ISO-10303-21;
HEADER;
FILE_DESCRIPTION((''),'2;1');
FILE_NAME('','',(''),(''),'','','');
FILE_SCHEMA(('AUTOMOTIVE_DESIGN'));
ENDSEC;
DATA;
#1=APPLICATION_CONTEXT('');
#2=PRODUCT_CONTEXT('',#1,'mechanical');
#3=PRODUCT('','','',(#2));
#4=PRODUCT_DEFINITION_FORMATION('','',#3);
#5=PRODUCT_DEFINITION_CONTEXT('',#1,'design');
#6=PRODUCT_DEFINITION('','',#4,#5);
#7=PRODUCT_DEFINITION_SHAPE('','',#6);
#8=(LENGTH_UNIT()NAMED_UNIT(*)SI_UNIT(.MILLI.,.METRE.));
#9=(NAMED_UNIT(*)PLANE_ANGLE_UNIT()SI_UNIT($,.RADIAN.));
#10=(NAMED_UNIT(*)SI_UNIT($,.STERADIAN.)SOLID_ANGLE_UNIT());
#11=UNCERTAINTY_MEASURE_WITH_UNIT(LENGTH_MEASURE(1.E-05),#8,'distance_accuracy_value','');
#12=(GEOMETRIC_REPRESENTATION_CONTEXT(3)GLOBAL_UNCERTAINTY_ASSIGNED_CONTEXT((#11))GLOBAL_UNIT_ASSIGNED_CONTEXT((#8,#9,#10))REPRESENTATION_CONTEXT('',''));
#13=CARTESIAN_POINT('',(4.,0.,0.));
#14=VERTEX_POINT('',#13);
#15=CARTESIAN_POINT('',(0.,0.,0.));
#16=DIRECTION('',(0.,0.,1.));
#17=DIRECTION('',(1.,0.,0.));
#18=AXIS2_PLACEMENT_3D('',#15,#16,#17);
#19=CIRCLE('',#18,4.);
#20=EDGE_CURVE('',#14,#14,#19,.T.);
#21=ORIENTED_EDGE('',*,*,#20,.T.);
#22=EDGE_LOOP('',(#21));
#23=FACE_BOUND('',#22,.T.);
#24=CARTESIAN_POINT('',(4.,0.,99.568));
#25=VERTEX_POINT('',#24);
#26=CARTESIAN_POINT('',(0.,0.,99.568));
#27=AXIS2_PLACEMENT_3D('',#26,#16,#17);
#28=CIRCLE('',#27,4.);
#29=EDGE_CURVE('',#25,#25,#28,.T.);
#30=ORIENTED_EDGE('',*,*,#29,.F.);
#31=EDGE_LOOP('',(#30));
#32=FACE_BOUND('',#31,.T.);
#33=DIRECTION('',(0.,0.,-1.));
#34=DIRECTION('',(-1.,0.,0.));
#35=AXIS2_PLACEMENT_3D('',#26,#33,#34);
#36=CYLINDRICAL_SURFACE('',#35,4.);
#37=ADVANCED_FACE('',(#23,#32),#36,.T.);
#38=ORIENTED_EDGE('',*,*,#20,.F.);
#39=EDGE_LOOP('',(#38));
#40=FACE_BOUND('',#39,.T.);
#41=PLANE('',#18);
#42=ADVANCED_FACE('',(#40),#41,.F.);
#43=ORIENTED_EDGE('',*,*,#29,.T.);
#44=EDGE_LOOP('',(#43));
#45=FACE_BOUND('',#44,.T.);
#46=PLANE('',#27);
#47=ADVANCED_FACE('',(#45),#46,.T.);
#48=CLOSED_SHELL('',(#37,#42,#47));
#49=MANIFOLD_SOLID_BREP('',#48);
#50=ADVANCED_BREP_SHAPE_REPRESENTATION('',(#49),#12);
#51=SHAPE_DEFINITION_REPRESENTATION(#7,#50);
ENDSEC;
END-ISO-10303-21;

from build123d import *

# Parameters (mm, degrees)
SKETCH1_R           = 4
BOSS_EXTRUDE1_DEPTH = 99.568


with BuildPart() as part:
    # Sketch1 → Boss-Extrude1 (new body)
    with BuildSketch(Plane.XY):
        Circle(SKETCH1_R)
    extrude(amount=BOSS_EXTRUDE1_DEPTH)


solid = part.part
